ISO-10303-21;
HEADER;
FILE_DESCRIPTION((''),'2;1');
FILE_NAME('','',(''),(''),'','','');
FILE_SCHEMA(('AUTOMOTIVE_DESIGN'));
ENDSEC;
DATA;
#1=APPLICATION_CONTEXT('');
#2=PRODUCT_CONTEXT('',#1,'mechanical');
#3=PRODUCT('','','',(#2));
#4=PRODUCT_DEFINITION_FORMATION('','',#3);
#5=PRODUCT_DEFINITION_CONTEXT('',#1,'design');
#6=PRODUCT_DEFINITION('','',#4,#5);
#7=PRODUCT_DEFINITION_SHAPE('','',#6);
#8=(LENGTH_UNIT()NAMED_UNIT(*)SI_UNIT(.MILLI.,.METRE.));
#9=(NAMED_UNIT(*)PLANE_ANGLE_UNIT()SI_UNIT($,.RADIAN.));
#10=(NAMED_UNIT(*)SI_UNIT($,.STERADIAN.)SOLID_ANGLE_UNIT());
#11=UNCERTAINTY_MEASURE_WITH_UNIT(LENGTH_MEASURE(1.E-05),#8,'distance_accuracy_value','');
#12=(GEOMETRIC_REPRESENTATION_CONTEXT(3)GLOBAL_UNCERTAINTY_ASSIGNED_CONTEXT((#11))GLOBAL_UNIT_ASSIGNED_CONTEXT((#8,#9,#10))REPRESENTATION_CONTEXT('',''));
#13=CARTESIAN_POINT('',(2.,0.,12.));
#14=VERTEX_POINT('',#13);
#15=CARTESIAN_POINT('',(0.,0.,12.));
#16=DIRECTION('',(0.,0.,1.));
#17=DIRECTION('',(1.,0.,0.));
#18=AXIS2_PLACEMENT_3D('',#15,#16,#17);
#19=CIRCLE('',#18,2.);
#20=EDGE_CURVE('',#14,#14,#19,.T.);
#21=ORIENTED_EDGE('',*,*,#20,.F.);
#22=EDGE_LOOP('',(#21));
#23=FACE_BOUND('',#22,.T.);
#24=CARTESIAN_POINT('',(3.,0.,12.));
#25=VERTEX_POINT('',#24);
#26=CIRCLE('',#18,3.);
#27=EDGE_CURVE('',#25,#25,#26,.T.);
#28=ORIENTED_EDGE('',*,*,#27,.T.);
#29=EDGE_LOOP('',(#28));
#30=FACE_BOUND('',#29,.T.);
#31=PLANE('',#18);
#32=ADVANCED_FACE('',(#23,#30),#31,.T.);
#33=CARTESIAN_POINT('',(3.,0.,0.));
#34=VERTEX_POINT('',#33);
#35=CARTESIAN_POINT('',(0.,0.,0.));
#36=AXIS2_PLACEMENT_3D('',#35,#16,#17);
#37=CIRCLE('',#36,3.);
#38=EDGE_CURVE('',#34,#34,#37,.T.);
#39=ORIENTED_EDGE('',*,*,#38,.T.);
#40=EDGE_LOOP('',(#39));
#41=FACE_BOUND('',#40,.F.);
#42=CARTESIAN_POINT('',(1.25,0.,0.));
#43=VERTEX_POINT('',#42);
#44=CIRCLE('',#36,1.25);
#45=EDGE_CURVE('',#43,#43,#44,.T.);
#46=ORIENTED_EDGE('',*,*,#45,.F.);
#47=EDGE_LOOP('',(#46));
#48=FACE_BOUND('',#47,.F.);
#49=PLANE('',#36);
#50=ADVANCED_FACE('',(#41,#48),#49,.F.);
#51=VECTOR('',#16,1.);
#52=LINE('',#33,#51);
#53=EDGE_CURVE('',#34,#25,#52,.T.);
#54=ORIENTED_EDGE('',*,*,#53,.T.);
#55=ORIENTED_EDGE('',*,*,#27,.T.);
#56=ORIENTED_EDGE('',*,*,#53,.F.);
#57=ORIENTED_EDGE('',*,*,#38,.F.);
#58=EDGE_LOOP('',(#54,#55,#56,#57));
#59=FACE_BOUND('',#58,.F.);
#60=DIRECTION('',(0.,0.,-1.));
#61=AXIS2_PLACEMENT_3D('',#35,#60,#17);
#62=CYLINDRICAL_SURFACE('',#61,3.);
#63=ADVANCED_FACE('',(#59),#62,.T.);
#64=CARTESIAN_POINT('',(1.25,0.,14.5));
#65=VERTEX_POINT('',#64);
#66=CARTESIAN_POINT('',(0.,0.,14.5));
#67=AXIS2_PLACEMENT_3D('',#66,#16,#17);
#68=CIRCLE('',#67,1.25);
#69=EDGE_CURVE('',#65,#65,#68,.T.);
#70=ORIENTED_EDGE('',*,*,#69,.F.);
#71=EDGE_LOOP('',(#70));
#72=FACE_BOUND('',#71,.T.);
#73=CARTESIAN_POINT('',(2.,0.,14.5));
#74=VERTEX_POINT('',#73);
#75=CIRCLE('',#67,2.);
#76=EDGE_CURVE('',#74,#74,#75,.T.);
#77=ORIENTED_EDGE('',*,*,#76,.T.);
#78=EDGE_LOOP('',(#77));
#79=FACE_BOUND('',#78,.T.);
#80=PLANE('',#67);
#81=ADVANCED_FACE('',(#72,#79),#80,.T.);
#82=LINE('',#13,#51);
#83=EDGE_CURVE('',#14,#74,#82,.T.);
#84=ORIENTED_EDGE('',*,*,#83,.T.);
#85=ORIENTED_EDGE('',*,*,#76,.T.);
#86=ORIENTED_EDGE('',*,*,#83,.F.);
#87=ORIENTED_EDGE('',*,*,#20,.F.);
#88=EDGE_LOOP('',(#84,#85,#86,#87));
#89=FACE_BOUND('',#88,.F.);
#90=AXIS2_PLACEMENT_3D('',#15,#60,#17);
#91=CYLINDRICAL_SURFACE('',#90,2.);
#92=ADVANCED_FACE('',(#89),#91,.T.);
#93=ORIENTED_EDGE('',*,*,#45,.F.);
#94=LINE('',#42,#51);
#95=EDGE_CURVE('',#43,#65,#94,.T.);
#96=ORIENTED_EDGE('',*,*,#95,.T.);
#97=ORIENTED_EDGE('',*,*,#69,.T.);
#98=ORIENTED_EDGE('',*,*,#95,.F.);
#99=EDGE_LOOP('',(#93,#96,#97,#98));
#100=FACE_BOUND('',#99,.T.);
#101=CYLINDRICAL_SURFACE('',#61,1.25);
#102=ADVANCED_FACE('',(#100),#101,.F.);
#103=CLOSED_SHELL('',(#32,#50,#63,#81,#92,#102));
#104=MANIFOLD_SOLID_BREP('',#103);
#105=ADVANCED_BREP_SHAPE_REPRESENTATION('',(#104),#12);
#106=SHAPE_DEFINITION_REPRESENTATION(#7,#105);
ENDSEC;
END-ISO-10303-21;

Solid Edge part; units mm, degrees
sketch "Sketch1" plane through (0, 0, 0) normal (0, 0, 1) x (1, 0, 0)
  circle A0 centre (0, 0) radius 1.25
  circle A1 centre (0, 0) radius 3
extrude "Protrusion1" add sketch "Sketch1" along normal blind 12
sketch "Sketch2" plane through (0, 0, 12) normal (0, 0, 1) x (1, 0, 0)
  circle A0 centre (0, 0) radius 1.25
  circle A1 centre (0, 0) radius 2
extrude "ExtrudedProtrusion_2" add sketch "Sketch2" along normal blind 2.5
